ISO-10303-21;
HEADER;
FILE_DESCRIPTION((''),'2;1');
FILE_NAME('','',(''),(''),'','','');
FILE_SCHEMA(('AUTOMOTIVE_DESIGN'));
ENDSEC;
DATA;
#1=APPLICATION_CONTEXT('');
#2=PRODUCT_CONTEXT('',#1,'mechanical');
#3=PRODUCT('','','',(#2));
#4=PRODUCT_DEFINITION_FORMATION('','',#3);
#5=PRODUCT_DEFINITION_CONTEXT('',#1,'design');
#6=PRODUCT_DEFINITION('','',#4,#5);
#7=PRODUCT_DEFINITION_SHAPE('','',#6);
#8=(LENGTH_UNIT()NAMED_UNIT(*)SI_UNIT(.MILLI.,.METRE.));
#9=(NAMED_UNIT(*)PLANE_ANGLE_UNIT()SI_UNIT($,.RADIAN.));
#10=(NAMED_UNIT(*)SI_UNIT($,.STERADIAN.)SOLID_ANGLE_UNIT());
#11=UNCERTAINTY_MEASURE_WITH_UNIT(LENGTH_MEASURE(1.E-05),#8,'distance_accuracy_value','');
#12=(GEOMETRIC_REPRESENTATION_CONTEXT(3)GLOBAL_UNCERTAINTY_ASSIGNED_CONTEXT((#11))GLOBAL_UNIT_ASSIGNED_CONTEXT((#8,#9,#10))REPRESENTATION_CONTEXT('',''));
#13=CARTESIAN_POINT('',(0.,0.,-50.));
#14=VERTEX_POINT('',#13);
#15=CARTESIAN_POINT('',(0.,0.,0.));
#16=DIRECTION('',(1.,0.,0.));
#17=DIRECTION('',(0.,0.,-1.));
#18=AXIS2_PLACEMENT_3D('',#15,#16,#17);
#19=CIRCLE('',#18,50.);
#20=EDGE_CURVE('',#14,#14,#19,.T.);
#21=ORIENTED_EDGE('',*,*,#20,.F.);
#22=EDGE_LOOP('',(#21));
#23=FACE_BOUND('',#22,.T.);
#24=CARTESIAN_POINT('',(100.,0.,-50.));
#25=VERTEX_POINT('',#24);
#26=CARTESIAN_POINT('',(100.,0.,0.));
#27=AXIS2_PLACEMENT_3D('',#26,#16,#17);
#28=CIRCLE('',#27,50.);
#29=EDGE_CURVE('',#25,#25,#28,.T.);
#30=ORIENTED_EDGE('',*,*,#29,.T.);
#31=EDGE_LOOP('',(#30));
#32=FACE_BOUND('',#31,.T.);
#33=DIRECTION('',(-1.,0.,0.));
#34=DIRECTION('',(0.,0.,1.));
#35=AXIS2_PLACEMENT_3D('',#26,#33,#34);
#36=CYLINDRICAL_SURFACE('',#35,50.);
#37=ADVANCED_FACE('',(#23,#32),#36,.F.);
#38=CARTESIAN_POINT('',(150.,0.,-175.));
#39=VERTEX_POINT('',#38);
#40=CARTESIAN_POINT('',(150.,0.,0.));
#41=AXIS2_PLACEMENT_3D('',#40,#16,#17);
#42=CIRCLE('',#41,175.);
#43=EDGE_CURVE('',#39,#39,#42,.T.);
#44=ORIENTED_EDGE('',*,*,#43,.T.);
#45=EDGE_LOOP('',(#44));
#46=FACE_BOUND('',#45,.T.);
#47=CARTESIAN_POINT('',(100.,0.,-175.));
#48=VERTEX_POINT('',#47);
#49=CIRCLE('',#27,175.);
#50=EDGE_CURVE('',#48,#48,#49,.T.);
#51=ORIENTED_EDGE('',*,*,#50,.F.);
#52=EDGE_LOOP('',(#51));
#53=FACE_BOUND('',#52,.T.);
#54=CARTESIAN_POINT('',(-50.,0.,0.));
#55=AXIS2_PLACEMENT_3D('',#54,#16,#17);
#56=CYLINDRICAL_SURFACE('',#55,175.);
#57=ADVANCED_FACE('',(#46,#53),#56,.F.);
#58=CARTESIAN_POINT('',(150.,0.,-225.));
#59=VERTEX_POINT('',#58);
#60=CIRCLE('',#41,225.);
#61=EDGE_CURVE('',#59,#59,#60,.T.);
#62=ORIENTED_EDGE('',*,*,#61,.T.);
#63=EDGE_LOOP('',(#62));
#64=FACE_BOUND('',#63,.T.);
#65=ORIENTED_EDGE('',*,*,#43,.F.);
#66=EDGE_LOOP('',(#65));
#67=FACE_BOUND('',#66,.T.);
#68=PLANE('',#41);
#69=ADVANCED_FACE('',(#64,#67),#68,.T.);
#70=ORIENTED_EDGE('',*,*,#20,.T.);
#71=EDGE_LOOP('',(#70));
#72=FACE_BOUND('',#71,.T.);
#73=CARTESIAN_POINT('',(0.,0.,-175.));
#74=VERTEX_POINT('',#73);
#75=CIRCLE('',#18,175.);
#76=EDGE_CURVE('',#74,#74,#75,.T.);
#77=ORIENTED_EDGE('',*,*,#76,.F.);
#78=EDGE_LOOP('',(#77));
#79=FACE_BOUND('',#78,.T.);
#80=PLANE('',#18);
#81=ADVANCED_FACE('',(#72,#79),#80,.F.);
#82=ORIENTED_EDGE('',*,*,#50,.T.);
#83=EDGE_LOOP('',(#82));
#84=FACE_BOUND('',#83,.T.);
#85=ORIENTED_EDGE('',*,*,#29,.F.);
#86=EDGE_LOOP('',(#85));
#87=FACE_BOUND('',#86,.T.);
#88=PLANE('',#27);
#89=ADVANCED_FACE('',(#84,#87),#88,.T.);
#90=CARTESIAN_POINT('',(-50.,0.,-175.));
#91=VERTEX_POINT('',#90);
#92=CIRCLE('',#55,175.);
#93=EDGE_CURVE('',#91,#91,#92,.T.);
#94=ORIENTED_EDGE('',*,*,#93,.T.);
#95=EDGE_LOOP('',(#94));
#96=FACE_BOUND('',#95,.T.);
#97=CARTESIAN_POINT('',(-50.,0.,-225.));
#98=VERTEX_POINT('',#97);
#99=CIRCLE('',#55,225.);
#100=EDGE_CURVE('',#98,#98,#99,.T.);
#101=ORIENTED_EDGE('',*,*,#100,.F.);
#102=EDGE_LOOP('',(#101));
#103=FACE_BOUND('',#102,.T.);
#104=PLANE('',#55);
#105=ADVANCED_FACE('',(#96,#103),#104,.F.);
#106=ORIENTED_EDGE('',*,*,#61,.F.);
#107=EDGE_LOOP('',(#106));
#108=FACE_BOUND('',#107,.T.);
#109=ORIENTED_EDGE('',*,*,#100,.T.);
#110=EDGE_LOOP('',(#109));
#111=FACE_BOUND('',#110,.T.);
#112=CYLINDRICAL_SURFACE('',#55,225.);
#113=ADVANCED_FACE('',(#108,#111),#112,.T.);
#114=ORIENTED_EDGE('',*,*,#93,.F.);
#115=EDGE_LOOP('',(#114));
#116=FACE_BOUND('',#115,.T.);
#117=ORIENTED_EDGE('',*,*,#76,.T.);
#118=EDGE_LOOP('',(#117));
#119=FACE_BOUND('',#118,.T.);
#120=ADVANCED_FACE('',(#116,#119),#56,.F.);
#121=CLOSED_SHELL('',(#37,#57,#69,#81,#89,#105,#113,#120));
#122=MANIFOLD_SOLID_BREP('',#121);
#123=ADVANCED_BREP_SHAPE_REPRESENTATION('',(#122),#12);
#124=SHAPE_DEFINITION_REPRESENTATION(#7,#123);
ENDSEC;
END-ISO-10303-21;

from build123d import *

# Parameters (mm, degrees)
SKETCH3_R                = 200
SKETCH3_R_2              = 50
BOSS_EXTRUDE4_DEPTH      = 100
BOSS_EXTRUDE5_DEPTH      = 50
BOSS_EXTRUDE5_DEPTH_BACK = 150
SKETCH4_R                = 225
SKETCH4_R_2              = 175


with BuildPart() as part:
    # Sketch3 → Boss-Extrude4 (new body)
    with BuildSketch(Plane(origin=(0, 0, 0), x_dir=(0, 0, -1), z_dir=(1, 0, 0))):
        Circle(SKETCH3_R)
        Circle(SKETCH3_R_2, mode=Mode.SUBTRACT)
    extrude(amount=BOSS_EXTRUDE4_DEPTH)

    # Sketch4 → Boss-Extrude5 (add, two sides: drawn at the far end of the back side and taken through both)
    with BuildSketch(Plane(origin=(100, 0, 0), x_dir=(0, 0, -1), z_dir=(1, 0, 0)).offset(-BOSS_EXTRUDE5_DEPTH_BACK)):
        Circle(SKETCH4_R)
        Circle(SKETCH4_R_2, mode=Mode.SUBTRACT)
    extrude(amount=BOSS_EXTRUDE5_DEPTH + BOSS_EXTRUDE5_DEPTH_BACK)


solid = part.part
